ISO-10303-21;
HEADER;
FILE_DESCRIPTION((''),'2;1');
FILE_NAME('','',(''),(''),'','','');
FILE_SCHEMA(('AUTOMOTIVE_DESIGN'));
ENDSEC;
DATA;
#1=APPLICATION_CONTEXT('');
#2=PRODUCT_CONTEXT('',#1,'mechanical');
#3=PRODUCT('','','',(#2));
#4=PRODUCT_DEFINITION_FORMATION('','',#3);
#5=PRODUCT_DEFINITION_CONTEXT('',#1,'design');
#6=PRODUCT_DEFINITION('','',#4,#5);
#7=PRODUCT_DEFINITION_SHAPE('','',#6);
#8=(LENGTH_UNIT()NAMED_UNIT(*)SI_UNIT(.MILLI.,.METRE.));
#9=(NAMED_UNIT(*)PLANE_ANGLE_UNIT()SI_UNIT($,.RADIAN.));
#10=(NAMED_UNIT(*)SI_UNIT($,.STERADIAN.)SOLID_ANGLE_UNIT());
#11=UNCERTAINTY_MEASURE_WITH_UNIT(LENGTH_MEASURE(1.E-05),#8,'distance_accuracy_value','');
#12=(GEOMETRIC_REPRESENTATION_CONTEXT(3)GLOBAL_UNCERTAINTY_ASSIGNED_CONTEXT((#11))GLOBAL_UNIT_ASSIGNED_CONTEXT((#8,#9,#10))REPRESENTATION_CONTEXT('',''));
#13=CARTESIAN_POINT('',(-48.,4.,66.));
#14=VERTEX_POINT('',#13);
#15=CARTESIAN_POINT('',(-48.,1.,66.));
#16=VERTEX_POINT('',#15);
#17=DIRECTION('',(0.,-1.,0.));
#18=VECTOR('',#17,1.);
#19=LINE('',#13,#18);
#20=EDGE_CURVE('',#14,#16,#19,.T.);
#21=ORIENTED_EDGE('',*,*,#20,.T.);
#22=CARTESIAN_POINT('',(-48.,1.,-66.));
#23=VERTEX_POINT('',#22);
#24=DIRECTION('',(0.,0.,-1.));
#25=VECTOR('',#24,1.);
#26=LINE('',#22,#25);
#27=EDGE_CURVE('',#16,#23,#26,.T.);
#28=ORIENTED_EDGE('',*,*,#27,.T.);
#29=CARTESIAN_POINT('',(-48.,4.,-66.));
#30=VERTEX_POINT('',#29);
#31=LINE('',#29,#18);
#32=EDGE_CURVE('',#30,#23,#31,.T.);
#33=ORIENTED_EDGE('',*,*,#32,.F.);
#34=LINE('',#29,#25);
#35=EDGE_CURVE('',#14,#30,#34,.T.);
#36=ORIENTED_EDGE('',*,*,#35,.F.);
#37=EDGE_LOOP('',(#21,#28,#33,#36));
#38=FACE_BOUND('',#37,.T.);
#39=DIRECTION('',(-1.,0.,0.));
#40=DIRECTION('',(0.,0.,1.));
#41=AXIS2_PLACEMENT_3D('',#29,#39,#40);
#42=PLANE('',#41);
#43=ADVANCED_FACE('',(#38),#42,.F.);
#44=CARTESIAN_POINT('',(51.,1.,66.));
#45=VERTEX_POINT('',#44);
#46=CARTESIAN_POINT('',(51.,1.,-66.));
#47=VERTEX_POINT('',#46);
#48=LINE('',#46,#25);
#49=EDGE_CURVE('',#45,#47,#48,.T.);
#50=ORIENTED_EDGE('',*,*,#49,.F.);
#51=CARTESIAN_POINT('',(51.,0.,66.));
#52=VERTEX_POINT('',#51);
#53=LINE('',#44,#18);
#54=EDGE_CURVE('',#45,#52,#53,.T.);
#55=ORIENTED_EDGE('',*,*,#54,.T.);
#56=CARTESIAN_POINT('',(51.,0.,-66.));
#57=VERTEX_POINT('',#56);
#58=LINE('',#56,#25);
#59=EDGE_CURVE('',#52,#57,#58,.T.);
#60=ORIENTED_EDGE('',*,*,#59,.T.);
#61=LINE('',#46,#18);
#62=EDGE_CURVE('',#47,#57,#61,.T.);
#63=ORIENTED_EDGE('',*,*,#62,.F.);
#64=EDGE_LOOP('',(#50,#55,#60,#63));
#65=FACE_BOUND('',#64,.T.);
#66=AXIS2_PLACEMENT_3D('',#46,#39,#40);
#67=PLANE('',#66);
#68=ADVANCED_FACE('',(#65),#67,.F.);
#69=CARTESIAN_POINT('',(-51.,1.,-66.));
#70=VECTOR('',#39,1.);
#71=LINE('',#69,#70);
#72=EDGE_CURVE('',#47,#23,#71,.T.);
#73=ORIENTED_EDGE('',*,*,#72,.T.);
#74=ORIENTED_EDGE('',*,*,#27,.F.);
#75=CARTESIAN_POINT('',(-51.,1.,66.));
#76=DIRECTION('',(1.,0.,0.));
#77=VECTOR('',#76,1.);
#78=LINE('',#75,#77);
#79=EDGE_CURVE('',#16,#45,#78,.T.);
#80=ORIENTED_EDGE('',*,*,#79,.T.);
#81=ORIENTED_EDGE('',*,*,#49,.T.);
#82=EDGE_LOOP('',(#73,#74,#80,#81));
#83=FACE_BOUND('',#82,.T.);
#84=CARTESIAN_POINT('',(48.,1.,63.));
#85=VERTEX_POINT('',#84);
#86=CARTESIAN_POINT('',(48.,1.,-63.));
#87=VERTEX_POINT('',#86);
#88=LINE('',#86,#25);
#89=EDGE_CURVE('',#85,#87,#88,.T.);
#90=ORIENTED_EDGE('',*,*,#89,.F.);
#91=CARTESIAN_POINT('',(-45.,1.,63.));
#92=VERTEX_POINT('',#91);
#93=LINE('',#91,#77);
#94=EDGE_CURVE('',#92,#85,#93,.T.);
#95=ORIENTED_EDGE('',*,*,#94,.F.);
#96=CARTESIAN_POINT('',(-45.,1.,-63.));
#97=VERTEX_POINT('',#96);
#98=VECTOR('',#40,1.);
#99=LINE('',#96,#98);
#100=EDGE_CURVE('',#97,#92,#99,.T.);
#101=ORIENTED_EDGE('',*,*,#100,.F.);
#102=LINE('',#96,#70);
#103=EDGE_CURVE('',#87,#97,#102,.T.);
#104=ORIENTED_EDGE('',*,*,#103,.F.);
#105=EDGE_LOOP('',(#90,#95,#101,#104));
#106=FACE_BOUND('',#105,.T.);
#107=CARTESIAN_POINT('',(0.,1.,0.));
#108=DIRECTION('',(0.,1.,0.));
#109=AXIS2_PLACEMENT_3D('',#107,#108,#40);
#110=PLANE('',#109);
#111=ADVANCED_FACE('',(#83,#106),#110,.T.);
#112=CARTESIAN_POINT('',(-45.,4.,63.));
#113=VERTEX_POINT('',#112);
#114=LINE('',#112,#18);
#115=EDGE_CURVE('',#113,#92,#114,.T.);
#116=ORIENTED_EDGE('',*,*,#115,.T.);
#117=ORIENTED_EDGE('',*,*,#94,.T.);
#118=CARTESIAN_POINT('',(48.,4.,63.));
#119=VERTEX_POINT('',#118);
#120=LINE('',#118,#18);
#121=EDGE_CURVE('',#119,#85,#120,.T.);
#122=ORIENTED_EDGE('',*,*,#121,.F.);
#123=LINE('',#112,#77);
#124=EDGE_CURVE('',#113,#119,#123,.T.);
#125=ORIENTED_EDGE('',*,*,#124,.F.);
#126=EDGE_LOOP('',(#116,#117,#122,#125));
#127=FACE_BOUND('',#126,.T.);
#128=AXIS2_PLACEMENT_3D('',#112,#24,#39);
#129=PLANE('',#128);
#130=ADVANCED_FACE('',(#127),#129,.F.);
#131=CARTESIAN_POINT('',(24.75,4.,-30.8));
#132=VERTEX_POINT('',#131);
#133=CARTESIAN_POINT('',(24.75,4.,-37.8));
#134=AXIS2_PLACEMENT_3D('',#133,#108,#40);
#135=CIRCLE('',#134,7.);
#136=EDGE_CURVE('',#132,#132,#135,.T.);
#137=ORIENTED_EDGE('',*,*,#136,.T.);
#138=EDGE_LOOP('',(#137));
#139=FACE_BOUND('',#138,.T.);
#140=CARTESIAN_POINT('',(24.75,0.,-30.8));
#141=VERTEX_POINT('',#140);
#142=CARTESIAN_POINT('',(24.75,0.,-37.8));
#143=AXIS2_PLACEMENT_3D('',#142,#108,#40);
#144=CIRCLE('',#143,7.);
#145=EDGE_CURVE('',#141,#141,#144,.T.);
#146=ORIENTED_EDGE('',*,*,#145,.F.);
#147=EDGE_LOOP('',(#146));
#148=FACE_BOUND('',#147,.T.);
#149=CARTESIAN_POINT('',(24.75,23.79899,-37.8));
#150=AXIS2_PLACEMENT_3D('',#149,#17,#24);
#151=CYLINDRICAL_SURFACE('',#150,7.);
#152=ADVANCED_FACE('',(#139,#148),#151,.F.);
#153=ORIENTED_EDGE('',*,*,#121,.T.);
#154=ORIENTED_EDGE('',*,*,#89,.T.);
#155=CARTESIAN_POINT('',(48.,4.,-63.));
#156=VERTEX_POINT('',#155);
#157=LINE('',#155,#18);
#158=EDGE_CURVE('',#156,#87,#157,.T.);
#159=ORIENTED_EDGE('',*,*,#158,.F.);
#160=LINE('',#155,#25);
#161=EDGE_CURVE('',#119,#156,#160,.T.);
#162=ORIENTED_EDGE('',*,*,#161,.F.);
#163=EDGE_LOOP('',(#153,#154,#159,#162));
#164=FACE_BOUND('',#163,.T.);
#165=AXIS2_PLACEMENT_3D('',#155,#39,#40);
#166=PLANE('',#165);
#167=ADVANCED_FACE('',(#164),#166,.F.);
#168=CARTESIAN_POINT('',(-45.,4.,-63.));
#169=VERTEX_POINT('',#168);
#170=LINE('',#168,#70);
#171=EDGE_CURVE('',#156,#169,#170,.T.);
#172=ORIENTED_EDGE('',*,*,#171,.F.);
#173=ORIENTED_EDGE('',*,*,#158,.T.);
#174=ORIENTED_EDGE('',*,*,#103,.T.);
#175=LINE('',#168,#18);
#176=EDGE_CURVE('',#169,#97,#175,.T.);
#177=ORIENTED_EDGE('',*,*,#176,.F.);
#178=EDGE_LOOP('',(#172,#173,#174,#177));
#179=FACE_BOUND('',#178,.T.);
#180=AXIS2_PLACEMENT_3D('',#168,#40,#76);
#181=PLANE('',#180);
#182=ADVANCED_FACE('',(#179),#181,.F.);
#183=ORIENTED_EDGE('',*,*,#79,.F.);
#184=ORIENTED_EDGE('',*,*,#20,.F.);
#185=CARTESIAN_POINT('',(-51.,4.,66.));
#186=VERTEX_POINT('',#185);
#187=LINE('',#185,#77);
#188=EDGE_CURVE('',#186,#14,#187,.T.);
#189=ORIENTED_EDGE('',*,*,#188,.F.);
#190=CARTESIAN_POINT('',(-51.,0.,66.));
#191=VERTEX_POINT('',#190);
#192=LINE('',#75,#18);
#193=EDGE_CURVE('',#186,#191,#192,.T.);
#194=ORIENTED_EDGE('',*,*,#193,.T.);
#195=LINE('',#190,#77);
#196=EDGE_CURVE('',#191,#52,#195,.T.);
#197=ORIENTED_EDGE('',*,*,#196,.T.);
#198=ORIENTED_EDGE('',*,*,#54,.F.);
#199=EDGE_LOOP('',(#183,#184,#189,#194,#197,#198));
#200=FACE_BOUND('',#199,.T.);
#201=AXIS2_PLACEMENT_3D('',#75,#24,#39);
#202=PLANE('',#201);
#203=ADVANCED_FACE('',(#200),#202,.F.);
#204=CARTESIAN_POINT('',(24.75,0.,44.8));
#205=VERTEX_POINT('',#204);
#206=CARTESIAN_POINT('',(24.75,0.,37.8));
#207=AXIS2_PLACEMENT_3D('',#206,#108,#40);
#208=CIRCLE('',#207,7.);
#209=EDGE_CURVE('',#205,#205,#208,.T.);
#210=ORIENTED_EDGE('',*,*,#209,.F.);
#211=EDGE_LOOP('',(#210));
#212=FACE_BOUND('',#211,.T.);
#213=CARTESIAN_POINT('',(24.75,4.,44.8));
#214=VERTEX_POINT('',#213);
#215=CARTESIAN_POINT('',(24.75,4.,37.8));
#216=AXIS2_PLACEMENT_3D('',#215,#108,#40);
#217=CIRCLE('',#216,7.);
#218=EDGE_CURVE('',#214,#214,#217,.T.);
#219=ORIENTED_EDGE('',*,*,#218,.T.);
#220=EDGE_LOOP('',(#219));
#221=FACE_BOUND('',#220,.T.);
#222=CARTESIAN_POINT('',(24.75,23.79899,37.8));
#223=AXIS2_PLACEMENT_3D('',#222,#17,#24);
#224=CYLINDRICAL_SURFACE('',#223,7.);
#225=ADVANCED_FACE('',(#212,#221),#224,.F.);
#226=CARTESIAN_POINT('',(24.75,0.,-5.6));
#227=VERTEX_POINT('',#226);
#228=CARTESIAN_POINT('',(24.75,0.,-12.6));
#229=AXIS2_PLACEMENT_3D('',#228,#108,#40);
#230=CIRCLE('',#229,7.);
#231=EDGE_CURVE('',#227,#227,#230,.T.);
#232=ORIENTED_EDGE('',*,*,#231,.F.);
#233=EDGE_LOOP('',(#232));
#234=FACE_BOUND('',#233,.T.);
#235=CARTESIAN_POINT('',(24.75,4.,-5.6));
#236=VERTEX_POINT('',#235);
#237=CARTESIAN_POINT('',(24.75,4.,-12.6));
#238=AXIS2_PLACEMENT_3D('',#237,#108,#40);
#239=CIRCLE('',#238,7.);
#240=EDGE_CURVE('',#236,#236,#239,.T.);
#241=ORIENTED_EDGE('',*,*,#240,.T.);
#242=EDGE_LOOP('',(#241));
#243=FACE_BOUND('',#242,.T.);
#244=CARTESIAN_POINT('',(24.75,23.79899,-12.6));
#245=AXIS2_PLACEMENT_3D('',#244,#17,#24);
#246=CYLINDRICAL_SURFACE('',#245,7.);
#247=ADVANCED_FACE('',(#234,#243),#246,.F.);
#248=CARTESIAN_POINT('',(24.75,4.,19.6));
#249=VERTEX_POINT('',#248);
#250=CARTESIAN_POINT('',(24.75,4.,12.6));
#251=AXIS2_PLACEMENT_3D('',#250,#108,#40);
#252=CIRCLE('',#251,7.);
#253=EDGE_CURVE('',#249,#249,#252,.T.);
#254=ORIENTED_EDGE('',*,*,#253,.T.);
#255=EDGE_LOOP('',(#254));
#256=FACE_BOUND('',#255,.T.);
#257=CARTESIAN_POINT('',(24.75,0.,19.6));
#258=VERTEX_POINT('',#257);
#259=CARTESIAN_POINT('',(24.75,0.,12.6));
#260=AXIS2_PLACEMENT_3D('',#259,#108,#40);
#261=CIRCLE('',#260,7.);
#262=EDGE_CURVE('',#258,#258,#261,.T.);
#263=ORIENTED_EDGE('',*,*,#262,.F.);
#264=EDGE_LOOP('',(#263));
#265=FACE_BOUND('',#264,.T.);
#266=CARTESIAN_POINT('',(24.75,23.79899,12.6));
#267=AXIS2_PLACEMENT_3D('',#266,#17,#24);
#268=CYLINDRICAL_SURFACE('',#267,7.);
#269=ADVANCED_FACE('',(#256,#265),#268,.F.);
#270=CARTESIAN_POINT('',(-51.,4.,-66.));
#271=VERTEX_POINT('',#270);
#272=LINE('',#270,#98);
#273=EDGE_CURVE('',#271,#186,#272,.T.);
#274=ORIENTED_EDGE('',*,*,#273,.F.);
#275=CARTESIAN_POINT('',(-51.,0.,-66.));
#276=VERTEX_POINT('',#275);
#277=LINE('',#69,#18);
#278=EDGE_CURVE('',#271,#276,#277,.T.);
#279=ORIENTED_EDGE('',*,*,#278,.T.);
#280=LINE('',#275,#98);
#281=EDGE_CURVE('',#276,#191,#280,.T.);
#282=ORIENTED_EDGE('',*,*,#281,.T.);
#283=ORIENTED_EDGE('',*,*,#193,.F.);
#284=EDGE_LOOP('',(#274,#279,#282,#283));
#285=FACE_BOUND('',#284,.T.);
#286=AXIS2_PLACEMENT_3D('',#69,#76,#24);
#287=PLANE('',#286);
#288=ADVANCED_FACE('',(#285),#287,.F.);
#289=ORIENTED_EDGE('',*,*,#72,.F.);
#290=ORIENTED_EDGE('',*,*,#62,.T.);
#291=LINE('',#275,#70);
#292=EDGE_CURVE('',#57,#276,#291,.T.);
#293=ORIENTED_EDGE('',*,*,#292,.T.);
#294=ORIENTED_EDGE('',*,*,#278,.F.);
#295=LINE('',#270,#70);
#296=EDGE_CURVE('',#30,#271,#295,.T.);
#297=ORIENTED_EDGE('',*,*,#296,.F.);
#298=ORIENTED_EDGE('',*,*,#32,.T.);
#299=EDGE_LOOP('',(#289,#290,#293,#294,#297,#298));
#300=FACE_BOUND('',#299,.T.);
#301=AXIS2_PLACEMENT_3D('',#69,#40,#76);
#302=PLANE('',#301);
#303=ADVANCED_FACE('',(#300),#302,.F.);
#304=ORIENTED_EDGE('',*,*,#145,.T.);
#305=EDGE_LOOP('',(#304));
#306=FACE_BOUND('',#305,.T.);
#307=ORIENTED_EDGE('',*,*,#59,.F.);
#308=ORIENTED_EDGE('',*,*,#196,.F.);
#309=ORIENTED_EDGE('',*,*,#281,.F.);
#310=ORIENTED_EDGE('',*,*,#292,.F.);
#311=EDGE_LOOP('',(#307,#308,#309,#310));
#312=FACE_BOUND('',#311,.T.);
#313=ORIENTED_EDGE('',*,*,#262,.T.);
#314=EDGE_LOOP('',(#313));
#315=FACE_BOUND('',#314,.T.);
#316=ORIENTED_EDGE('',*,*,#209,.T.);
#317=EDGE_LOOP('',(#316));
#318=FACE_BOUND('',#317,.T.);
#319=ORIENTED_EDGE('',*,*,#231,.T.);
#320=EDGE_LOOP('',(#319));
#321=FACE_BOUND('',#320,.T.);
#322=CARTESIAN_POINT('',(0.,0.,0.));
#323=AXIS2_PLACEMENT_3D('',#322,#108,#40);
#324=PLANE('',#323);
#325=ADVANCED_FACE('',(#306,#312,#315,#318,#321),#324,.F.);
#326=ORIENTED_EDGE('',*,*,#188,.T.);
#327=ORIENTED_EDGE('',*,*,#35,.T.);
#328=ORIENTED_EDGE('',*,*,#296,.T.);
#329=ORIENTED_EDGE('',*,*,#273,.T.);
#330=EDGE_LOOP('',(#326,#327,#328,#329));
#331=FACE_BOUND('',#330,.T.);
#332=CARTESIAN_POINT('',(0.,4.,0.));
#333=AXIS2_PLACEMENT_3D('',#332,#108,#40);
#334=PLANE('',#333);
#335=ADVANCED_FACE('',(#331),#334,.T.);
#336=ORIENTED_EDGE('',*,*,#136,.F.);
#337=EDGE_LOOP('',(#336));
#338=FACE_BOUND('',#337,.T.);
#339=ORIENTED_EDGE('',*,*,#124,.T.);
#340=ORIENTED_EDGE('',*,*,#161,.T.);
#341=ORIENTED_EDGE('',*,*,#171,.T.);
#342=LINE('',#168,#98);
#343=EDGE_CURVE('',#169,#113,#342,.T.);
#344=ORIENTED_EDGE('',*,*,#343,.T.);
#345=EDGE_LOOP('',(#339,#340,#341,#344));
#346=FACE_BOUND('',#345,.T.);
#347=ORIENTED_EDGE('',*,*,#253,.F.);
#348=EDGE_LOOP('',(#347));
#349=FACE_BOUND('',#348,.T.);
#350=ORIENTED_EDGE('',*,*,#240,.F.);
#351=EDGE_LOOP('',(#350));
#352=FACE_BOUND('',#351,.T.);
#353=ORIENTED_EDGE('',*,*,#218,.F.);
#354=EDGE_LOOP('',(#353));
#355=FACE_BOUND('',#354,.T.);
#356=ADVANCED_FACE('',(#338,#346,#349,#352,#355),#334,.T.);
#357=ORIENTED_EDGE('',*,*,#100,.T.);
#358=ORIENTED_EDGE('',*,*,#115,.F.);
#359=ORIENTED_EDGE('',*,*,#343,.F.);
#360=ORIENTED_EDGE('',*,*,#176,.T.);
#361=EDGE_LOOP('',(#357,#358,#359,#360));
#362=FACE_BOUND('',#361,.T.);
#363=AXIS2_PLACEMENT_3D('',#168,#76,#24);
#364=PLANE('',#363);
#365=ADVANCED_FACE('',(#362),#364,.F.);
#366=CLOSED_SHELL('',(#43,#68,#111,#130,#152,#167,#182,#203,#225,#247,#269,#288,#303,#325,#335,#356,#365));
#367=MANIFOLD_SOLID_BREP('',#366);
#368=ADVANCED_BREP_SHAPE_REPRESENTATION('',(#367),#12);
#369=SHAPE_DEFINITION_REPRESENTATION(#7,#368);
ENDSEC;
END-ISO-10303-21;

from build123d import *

# Parameters (mm, degrees)
SKETCH1_W           = 102
SKETCH1_H           = 132
BOSS_EXTRUDE2_DEPTH = 1
SKETCH2_W           = 3
SKETCH2_H           = 132
BOSS_EXTRUDE5_DEPTH = 3
SKETCH3_W           = 93
SKETCH3_H           = 126
BOSS_EXTRUDE6_DEPTH = 3
SKETCH4_R           = 7
CUT_EXTRUDE1_DEPTH  = 4


with BuildPart() as part:
    # Sketch1 → Boss-Extrude2 (new body)
    with BuildSketch(Plane(origin=(0, 0, 0), x_dir=(1, 0, 0), z_dir=(0, 1, 0))):
        Rectangle(SKETCH1_W, SKETCH1_H)
    extrude(amount=BOSS_EXTRUDE2_DEPTH)

    # Sketch2 → Boss-Extrude5 (add)
    with BuildSketch(Plane(origin=(0, 1, 0), x_dir=(1, 0, 0), z_dir=(0, 1, 0))):
        with Locations((-49.5, 0)):
            Rectangle(SKETCH2_W, SKETCH2_H)
    extrude(amount=BOSS_EXTRUDE5_DEPTH)

    # Sketch3 → Boss-Extrude6 (add)
    with BuildSketch(Plane(origin=(0, 1, 0), x_dir=(1, 0, 0), z_dir=(0, 1, 0))):
        with Locations((1.5, 0)):
            Rectangle(SKETCH3_W, SKETCH3_H)
    extrude(amount=BOSS_EXTRUDE6_DEPTH)

    # Sketch4 → Cut-Extrude1 (cut)
    with BuildSketch(Plane(origin=(0, 0, 0), x_dir=(1, 0, 0), z_dir=(0, 1, 0))):
        with Locations((24.75, 12.6)):
            Circle(SKETCH4_R)
        with Locations((24.75, -12.6)):
            Circle(SKETCH4_R)
        with Locations((24.75, 37.8)):
            Circle(SKETCH4_R)
        with Locations((24.75, -37.8)):
            Circle(SKETCH4_R)
    extrude(amount=CUT_EXTRUDE1_DEPTH, mode=Mode.SUBTRACT)


solid = part.part
